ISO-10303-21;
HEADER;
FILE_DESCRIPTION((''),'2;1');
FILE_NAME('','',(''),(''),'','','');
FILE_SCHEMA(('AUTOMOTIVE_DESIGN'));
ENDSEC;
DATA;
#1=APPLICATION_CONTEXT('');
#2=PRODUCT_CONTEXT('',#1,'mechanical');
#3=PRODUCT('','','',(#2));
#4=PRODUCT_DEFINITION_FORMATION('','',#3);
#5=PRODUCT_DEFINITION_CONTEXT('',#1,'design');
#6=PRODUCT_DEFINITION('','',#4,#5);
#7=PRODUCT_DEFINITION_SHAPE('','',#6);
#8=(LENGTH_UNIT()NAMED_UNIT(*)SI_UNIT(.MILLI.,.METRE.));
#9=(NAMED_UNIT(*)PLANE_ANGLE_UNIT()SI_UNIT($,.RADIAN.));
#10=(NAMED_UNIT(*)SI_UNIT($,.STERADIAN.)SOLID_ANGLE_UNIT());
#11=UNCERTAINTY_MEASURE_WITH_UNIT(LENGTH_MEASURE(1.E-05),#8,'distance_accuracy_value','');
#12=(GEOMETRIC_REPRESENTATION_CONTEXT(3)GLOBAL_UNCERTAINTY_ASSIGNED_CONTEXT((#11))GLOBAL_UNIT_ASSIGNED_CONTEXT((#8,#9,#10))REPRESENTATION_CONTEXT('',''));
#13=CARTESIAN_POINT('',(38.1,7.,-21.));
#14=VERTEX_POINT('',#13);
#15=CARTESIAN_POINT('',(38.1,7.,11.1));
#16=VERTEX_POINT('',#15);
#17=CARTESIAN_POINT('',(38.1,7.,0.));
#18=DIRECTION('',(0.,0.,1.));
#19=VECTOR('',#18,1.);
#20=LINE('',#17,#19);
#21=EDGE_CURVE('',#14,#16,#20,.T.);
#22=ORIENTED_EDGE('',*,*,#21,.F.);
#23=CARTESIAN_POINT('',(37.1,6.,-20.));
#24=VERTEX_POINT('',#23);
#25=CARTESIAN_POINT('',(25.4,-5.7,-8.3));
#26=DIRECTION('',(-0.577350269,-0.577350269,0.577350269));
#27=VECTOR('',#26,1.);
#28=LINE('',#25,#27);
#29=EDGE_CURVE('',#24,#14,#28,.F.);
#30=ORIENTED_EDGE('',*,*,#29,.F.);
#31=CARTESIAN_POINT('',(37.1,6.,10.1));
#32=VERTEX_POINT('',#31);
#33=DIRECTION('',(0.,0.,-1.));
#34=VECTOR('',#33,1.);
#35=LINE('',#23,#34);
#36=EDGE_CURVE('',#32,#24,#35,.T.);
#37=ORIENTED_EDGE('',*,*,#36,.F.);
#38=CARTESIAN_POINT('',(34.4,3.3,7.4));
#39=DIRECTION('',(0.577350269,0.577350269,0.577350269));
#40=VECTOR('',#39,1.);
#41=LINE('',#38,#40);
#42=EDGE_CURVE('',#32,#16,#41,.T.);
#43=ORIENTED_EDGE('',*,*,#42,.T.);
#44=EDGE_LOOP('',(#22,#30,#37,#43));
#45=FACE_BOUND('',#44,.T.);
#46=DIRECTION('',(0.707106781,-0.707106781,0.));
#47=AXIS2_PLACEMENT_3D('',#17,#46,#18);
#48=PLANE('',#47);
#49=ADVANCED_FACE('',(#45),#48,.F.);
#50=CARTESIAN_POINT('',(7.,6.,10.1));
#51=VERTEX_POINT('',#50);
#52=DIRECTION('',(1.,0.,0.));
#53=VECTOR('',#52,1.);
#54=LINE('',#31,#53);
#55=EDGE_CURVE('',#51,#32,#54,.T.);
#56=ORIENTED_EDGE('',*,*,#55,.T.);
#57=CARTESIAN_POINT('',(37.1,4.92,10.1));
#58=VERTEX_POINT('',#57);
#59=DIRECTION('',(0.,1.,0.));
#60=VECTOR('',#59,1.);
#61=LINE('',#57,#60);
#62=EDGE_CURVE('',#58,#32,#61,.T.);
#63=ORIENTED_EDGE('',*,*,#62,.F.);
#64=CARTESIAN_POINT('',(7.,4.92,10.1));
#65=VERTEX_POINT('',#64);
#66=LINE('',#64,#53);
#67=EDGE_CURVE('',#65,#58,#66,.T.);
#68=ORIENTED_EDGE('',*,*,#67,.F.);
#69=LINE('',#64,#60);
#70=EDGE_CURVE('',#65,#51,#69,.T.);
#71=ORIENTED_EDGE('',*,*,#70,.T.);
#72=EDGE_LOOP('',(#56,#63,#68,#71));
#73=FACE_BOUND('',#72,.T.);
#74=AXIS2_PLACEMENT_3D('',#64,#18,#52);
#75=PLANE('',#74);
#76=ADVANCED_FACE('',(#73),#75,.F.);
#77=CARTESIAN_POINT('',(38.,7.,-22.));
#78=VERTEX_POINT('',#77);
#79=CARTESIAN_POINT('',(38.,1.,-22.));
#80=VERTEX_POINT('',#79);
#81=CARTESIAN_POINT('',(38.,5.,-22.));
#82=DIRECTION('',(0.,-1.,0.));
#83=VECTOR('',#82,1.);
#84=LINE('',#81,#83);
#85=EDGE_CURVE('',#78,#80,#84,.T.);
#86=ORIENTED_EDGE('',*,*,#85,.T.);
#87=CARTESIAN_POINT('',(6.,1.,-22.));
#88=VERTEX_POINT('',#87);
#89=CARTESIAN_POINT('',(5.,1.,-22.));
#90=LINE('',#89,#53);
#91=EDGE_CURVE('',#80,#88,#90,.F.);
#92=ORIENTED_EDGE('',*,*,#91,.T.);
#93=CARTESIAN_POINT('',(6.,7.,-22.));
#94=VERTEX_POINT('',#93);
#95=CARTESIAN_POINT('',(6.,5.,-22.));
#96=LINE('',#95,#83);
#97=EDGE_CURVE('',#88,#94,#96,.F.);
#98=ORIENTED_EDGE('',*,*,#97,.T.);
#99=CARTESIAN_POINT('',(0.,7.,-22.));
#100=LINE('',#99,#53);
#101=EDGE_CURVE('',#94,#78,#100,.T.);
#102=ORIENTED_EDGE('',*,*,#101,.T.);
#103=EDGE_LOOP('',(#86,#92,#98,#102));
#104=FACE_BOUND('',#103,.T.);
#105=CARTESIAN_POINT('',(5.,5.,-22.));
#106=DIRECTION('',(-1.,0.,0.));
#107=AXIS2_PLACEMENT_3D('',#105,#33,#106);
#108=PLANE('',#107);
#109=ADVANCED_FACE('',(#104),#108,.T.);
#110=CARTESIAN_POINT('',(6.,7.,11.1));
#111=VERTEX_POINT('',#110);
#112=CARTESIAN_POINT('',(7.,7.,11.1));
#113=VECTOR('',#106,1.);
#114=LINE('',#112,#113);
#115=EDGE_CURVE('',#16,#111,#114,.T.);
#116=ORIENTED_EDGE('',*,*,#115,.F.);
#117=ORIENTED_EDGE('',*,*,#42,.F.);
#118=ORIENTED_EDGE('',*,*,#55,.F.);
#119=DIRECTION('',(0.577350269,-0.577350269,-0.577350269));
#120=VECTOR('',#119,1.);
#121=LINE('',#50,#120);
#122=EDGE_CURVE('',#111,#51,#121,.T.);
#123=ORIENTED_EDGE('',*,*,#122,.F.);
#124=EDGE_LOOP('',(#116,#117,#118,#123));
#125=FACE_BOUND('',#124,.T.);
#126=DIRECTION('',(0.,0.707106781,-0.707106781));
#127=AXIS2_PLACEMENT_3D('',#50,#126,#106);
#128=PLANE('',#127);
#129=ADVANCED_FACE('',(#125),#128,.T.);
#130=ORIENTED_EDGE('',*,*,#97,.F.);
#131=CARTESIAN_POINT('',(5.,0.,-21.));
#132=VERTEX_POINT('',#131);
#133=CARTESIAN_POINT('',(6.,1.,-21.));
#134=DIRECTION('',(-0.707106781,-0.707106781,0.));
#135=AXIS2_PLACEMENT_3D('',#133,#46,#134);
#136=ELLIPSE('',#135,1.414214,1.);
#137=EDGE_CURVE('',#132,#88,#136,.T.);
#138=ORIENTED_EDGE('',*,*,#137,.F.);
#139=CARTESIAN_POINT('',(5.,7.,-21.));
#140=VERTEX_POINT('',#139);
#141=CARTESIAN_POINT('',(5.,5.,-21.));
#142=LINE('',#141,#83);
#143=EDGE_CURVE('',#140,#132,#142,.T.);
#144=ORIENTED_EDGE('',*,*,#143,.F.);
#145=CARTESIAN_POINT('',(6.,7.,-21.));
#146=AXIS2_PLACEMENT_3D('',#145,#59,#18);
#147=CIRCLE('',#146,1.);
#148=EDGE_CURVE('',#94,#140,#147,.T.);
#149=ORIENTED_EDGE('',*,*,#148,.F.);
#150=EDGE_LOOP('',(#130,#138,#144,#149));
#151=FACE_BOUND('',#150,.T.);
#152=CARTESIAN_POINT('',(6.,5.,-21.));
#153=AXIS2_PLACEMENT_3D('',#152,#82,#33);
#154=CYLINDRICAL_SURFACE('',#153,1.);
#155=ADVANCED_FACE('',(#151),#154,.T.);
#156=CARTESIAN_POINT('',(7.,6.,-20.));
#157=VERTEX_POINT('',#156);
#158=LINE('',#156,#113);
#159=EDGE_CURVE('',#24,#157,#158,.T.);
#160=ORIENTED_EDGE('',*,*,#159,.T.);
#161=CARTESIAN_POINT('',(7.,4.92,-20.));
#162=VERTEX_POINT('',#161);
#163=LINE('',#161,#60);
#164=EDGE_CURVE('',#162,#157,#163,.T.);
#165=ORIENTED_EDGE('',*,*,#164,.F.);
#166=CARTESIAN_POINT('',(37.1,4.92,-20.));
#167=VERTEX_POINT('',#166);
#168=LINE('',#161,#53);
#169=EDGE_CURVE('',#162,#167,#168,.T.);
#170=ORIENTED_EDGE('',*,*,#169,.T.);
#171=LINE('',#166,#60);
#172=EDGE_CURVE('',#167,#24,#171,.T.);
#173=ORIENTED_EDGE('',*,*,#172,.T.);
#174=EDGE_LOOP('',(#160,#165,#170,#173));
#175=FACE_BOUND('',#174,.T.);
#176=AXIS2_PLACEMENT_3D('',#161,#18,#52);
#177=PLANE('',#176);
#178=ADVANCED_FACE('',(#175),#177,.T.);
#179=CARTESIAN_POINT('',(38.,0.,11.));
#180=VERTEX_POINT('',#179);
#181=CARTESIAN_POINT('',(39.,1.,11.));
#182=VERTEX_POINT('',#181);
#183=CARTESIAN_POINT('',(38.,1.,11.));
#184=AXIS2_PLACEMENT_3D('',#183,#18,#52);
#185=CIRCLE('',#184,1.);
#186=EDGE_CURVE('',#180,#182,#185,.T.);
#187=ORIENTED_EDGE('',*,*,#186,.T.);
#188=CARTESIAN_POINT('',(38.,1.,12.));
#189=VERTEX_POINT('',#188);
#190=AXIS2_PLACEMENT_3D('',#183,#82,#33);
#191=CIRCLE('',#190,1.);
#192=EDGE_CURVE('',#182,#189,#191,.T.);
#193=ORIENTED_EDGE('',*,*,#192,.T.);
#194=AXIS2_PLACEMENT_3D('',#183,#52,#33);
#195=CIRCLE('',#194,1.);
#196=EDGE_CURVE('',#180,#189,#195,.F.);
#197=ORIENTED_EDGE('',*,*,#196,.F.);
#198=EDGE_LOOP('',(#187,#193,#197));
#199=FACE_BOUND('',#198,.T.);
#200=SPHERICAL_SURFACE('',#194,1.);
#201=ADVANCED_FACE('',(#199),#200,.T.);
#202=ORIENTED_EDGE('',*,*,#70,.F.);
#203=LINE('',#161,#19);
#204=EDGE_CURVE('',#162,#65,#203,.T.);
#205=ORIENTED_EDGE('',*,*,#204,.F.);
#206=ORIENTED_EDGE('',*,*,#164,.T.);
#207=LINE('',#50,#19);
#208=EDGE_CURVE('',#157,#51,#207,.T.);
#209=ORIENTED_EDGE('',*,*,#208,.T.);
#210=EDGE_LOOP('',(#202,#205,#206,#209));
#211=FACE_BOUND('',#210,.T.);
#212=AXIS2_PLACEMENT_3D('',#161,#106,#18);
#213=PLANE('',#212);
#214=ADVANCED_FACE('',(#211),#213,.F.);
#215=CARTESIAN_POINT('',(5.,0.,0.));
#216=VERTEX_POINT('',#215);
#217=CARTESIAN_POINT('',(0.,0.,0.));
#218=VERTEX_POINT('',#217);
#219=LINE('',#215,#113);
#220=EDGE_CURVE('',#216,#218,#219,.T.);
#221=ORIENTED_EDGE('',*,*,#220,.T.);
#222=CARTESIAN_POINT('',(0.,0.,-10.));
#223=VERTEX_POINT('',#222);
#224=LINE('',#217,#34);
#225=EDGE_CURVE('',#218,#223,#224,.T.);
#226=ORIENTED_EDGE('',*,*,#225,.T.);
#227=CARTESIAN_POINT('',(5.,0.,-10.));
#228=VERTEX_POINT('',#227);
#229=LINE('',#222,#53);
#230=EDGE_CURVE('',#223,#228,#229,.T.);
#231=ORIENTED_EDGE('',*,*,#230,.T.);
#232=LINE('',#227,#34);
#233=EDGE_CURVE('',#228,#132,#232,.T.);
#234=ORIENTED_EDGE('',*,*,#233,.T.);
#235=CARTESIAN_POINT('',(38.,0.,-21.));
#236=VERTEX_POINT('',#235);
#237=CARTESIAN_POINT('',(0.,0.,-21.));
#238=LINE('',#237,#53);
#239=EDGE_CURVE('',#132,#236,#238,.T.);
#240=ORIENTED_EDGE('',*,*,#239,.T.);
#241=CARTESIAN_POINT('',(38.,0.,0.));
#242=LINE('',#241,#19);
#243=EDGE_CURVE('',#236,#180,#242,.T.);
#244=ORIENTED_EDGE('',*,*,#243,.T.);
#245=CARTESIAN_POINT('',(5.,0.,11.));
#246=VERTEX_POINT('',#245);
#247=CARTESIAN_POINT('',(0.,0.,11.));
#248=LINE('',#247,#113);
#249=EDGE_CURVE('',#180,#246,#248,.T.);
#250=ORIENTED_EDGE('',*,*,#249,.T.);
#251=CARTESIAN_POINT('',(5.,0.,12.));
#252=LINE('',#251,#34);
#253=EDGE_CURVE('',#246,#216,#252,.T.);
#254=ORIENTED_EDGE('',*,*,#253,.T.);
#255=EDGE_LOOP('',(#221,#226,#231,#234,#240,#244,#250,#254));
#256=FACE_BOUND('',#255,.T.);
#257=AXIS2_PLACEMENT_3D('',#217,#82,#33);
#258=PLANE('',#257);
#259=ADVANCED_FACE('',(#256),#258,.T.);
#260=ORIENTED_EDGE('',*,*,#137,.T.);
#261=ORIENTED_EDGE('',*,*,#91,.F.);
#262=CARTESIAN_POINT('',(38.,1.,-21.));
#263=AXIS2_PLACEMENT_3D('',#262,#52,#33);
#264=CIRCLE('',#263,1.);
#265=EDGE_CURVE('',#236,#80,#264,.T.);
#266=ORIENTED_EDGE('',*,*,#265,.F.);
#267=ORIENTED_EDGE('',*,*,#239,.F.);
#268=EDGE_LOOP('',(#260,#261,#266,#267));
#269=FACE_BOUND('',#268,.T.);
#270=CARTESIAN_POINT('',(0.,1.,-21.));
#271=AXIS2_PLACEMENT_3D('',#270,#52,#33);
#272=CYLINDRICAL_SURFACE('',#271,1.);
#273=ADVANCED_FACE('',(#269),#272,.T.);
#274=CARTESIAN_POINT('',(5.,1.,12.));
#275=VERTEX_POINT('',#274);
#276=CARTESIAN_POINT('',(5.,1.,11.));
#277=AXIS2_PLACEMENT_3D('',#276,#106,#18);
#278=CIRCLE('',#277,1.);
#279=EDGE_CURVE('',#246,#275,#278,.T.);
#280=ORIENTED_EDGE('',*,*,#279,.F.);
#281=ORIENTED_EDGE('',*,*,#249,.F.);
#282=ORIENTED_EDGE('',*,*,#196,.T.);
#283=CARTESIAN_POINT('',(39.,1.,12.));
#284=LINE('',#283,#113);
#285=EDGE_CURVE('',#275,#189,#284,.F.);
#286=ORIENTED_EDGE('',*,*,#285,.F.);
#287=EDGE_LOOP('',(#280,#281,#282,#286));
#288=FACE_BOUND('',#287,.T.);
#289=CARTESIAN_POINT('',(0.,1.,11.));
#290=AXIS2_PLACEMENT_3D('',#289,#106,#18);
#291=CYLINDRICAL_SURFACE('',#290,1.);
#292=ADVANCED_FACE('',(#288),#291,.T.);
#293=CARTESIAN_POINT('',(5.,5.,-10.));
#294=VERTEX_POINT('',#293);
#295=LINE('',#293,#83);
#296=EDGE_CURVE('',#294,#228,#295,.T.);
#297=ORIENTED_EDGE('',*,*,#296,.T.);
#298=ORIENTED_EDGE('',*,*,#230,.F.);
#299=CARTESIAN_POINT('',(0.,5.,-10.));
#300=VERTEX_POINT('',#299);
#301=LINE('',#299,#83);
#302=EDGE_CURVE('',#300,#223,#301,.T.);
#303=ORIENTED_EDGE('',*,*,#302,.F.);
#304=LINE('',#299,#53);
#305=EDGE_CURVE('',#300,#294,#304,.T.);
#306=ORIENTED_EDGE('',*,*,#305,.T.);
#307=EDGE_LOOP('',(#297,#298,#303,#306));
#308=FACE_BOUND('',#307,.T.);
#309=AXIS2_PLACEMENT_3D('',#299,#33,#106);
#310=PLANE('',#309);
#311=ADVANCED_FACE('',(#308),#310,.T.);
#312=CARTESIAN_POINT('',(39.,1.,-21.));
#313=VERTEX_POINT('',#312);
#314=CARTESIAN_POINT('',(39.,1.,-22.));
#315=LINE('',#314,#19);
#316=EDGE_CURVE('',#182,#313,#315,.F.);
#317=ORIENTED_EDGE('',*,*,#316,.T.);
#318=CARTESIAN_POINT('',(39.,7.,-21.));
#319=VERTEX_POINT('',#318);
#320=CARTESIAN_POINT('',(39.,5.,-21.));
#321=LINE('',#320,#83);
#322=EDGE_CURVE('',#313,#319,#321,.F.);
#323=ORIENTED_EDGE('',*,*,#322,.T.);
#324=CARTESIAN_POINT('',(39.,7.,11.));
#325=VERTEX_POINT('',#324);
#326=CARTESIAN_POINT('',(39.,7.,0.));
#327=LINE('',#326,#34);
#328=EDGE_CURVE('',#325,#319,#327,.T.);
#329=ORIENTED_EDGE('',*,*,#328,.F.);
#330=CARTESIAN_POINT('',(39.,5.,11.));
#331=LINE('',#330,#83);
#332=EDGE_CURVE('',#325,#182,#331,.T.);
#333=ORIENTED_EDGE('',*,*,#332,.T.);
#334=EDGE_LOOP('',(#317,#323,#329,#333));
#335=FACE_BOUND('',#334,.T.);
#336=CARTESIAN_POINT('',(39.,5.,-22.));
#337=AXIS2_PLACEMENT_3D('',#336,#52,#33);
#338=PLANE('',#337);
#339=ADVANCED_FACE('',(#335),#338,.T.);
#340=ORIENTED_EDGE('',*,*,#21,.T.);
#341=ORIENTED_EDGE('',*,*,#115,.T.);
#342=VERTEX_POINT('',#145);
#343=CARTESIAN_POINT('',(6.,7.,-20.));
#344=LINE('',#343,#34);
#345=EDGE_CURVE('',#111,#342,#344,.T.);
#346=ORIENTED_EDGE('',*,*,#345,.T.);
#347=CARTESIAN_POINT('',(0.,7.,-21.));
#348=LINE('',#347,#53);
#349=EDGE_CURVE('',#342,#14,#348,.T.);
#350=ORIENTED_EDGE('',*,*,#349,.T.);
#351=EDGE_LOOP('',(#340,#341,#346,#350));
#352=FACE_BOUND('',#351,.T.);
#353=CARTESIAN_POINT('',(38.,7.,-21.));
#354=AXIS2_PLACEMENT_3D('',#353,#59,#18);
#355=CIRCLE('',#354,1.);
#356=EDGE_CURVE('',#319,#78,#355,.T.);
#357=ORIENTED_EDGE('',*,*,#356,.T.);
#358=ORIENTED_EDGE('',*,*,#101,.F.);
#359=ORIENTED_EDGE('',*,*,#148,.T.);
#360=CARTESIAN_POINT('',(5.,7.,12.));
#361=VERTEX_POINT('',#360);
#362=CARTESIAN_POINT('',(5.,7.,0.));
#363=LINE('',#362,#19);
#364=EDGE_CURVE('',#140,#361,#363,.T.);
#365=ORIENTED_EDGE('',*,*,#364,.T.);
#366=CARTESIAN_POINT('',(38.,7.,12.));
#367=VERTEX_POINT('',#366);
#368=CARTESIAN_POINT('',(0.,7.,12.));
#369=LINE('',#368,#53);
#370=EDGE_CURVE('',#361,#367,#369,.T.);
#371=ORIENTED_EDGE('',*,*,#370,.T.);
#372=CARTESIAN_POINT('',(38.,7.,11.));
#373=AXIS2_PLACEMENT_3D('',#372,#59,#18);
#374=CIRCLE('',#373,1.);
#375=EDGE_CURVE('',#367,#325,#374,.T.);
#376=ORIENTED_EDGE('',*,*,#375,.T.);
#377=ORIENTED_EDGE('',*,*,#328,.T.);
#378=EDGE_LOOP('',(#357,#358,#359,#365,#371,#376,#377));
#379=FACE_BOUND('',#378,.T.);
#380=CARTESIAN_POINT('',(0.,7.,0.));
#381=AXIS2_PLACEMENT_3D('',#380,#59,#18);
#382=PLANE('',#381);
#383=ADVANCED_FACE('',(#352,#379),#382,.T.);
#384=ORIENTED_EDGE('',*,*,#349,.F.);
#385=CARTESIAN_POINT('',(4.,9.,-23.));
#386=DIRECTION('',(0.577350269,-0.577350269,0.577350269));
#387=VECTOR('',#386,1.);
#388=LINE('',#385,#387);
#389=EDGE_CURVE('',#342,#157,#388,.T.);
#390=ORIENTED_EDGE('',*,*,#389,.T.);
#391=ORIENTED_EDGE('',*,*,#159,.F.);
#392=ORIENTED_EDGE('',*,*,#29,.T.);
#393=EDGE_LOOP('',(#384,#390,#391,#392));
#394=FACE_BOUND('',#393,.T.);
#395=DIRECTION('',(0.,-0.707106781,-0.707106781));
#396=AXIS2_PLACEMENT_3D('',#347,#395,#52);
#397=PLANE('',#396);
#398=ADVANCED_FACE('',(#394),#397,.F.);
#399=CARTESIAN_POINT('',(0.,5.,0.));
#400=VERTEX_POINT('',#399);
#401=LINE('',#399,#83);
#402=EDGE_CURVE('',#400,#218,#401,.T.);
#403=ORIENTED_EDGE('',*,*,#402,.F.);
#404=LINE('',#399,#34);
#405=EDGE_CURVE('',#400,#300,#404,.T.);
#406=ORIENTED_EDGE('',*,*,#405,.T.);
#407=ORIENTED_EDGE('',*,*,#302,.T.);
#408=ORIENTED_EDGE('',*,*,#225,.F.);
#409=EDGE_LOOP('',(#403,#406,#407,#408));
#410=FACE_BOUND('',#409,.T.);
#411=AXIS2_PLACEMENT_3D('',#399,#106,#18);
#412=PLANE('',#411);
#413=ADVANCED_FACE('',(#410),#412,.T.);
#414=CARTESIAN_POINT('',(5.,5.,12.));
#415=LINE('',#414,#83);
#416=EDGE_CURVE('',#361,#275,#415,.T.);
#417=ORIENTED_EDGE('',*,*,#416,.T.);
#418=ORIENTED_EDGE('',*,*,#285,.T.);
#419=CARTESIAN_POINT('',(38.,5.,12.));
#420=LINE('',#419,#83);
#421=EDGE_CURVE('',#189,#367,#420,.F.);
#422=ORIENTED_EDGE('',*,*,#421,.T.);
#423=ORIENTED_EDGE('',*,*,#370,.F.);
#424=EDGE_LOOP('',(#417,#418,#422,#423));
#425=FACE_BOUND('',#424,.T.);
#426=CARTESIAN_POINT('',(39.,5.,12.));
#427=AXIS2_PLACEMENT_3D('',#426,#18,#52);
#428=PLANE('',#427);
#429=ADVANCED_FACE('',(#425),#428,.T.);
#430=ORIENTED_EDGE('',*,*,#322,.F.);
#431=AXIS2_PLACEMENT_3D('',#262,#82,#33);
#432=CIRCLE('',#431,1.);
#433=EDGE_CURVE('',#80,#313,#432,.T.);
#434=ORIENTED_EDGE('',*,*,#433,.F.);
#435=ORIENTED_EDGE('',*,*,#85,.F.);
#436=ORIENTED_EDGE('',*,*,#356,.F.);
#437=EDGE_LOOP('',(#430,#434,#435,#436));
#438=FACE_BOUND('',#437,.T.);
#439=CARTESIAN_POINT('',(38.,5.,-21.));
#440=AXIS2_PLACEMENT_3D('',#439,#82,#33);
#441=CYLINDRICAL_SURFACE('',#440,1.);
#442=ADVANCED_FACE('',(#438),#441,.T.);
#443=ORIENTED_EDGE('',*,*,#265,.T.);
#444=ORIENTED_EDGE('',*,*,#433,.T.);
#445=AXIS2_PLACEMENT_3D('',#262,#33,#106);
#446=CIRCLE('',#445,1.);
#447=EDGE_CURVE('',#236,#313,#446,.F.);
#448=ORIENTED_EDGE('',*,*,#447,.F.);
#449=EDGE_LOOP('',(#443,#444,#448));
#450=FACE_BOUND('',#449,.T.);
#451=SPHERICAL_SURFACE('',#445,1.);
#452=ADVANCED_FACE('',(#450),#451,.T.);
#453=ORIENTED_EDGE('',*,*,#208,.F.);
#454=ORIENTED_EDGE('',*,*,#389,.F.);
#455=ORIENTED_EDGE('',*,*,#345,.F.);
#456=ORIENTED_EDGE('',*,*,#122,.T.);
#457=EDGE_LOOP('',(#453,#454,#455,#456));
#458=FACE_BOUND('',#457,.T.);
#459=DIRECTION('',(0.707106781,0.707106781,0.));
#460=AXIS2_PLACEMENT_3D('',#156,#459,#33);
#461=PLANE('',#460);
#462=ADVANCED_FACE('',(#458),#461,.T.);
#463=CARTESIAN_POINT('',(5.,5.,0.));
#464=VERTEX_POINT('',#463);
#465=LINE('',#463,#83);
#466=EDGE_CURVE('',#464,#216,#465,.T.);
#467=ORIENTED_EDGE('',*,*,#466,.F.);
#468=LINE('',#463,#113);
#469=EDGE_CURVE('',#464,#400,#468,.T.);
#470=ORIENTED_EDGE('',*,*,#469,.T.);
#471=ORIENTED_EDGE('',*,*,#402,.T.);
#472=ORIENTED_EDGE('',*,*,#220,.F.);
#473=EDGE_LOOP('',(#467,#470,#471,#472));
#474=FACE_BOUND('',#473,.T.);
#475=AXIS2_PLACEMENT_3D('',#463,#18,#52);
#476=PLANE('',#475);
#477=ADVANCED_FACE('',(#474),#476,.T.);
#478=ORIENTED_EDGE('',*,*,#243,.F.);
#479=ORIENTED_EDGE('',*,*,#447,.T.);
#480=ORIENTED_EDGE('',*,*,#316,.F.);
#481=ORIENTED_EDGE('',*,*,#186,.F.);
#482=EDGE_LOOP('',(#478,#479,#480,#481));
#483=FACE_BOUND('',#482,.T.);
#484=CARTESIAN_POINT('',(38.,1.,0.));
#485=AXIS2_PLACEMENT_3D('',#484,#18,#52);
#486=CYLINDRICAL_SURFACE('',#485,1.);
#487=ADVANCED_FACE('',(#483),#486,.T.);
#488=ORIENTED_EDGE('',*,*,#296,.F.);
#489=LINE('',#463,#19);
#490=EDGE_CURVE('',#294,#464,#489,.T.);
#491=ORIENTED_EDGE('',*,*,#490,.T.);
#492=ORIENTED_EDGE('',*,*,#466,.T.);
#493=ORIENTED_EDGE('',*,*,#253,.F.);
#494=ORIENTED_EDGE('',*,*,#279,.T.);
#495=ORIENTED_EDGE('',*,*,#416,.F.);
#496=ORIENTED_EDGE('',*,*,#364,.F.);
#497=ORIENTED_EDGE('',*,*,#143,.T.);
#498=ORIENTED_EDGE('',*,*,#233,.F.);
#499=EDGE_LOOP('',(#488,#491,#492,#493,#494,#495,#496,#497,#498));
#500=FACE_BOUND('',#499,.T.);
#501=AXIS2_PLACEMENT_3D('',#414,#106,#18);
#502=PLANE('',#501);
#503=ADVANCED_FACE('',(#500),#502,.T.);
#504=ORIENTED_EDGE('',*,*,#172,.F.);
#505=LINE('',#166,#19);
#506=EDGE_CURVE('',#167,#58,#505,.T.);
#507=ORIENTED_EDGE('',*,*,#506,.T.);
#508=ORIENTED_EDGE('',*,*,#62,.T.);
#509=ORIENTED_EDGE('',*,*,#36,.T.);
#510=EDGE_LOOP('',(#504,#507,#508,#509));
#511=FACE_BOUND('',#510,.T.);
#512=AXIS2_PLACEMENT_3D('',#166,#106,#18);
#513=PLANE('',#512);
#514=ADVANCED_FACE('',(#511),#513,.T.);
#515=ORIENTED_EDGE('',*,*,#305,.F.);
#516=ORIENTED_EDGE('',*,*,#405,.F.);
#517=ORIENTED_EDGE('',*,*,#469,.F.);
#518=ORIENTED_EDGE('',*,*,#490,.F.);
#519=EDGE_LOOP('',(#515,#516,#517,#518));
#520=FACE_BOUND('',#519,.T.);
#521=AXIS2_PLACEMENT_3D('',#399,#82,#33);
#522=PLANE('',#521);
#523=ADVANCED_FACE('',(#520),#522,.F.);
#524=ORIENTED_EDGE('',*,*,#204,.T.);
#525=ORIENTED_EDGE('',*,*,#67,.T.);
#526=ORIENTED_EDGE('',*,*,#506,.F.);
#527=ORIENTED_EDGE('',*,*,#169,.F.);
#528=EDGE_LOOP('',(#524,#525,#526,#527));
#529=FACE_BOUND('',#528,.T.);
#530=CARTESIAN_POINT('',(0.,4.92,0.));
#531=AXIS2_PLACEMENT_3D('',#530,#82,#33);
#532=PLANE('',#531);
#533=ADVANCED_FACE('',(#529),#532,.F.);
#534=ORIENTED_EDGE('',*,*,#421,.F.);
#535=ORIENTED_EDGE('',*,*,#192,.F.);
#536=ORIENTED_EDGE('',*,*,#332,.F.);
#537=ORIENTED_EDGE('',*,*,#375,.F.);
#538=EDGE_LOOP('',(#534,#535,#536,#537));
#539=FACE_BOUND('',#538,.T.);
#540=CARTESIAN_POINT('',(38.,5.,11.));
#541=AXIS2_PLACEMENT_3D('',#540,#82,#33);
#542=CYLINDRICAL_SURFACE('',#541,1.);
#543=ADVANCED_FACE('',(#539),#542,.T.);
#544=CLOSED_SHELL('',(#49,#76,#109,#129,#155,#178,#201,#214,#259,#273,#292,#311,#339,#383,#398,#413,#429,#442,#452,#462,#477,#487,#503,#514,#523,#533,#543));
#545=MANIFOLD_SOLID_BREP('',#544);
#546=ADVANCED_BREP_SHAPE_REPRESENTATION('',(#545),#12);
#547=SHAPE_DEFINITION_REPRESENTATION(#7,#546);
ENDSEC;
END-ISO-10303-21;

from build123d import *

# Parameters (mm, degrees)
EXTRUDE_1_DEPTH     = 5
SKETCH_2_W          = 34
SKETCH_2_H          = 34
EXTRUDE_2_DEPTH     = 2
SKETCH_3_W          = 30.1
SKETCH_3_H          = 30.1
CUT_EXTRUDE_2_DEPTH = 2.08
CHAMFER_1_SIZE      = 1
FILLET_2_R          = 1


with BuildPart() as part:
    # 草图1 → 凸台-拉伸1 (new body)
    with BuildSketch(Plane(origin=(0, 0, 0), x_dir=(1, 0, 0), z_dir=(0, 1, 0))):
        Polygon((0, 10), (5, 10), (5, 22), (39, 22), (39, -12), (5, -12), (5, 0), (0, 0), align=None)
    extrude(amount=EXTRUDE_1_DEPTH)

    # 草图2 → 凸台-拉伸2 (add)
    with BuildSketch(Plane(origin=(0, 5, 0), x_dir=(1, 0, 0), z_dir=(0, 1, 0))):
        with Locations((22, 5)):
            Rectangle(SKETCH_2_W, SKETCH_2_H)
    extrude(amount=EXTRUDE_2_DEPTH)

    # 草图3 → 切除-拉伸2 (cut)
    with BuildSketch(Plane(origin=(0, 7, 0), x_dir=(1, 0, 0), z_dir=(0, 1, 0))):
        with Locations((22.05, 4.95)):
            Rectangle(SKETCH_3_W, SKETCH_3_H)
    extrude(amount=-CUT_EXTRUDE_2_DEPTH, mode=Mode.SUBTRACT)

    # 倒角1
    chamfer_1_edges = [part.edges().sort_by_distance(p)[0] for p in [
        (22.05, 7, -20),
        (37.1, 7, -4.95),
        (22.05, 7, 10.1),
        (7, 7, -4.95),
    ]]
    chamfer(chamfer_1_edges, length=CHAMFER_1_SIZE)

    # 圆角2
    fillet_2_edges = [part.edges().sort_by_distance(p)[0] for p in [
        (39, 3.5, 12),
        (39, 3.5, -22),
        (5, 3.5, -22),
        (22, 0, 12),
        (39, 0, -5),
        (22, 0, -22),
    ]]
    fillet(fillet_2_edges, radius=FILLET_2_R)


solid = part.part
